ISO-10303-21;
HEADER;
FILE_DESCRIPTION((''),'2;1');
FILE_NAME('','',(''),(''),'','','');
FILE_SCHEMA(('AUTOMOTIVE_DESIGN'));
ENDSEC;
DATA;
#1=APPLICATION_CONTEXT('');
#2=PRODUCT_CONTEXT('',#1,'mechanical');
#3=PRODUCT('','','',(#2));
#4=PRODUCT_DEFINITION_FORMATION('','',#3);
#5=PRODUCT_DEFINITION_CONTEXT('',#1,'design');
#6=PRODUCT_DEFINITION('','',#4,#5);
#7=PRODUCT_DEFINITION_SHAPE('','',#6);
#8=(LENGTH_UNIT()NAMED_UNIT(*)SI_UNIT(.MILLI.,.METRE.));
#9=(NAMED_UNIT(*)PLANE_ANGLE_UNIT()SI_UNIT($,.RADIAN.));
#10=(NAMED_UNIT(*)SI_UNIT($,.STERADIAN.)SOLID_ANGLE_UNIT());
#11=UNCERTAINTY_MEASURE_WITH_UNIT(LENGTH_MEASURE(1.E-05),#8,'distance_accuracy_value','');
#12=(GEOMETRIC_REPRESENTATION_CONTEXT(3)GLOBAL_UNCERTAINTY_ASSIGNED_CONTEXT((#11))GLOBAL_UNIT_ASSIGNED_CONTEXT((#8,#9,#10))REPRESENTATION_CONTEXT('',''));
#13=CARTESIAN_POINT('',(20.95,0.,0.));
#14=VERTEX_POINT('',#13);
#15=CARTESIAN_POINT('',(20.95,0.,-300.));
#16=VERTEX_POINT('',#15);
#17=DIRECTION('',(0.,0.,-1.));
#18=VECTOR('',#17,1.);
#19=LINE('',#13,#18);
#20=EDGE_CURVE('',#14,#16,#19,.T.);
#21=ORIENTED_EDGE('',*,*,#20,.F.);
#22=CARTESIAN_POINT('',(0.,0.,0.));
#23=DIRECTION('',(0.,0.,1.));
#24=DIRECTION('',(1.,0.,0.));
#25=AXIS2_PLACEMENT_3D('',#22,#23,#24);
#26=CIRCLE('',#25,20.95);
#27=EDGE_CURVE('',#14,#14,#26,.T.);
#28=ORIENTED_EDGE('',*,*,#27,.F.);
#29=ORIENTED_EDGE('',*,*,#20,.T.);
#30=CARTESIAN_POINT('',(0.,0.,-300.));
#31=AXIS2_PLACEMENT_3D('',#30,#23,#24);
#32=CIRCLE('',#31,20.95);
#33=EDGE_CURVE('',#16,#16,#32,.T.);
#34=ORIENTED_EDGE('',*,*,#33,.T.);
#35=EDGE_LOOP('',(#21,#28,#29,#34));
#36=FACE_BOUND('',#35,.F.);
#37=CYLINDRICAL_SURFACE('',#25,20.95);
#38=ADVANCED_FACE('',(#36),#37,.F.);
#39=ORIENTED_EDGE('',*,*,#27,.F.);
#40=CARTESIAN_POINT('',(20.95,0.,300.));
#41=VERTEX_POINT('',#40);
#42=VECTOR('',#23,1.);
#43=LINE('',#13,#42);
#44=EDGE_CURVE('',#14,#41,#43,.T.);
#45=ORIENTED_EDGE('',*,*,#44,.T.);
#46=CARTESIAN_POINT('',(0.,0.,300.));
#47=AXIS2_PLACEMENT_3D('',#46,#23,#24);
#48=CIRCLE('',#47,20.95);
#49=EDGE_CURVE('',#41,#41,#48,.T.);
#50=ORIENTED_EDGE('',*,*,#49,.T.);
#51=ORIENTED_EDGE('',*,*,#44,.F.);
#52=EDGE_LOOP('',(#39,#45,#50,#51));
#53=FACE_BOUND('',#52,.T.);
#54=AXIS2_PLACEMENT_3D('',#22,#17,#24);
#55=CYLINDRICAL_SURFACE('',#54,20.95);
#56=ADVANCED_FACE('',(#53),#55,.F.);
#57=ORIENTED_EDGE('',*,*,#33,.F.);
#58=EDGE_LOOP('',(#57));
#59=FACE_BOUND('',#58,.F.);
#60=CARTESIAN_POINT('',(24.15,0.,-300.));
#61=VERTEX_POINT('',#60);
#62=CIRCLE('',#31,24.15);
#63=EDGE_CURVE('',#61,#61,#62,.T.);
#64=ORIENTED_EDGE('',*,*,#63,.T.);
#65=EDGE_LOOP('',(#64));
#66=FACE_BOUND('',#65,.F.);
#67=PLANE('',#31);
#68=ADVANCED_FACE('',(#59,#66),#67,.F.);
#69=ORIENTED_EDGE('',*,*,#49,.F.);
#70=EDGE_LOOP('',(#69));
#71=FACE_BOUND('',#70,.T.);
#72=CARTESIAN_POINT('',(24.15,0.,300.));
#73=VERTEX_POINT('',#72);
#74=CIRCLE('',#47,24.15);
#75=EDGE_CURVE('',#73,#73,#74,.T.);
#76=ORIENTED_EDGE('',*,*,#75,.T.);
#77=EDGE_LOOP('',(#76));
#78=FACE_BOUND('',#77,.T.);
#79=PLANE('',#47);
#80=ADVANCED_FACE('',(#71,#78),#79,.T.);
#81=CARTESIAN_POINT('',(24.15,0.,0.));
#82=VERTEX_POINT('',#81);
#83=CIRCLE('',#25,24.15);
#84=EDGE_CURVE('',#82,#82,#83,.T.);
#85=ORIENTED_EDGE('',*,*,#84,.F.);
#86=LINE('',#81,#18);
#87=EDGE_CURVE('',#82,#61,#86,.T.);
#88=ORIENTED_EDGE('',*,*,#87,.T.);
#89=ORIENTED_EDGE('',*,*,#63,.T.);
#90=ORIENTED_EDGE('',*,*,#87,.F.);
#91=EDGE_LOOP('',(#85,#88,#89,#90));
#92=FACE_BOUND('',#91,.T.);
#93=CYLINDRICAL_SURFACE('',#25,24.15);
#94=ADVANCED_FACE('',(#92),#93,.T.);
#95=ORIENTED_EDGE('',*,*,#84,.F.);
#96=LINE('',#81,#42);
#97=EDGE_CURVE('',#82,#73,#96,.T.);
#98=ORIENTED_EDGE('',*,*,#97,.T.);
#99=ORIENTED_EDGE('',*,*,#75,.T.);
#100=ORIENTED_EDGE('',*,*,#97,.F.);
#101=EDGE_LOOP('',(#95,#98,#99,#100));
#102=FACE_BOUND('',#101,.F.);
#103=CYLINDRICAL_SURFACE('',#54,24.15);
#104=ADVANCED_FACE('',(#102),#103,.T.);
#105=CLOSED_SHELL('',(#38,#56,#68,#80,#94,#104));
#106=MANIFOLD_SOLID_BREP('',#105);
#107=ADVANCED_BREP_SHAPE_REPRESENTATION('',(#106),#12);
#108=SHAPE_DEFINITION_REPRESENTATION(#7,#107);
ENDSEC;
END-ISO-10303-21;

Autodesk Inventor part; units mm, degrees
sketch "Skizze1" plane through (0, 0, 0) normal (0, 0, 1) x (1, 0, 0)
  circle A0 centre (0, 0) radius 24.15
  circle A1 centre (0, 0) radius 20.95
  dimension "d0" = 48.3
  dimension "d1" = 3.2
extrude "Extrusion1" add sketch "Skizze1" along normal mid plane 600
properties part number "Griff"
